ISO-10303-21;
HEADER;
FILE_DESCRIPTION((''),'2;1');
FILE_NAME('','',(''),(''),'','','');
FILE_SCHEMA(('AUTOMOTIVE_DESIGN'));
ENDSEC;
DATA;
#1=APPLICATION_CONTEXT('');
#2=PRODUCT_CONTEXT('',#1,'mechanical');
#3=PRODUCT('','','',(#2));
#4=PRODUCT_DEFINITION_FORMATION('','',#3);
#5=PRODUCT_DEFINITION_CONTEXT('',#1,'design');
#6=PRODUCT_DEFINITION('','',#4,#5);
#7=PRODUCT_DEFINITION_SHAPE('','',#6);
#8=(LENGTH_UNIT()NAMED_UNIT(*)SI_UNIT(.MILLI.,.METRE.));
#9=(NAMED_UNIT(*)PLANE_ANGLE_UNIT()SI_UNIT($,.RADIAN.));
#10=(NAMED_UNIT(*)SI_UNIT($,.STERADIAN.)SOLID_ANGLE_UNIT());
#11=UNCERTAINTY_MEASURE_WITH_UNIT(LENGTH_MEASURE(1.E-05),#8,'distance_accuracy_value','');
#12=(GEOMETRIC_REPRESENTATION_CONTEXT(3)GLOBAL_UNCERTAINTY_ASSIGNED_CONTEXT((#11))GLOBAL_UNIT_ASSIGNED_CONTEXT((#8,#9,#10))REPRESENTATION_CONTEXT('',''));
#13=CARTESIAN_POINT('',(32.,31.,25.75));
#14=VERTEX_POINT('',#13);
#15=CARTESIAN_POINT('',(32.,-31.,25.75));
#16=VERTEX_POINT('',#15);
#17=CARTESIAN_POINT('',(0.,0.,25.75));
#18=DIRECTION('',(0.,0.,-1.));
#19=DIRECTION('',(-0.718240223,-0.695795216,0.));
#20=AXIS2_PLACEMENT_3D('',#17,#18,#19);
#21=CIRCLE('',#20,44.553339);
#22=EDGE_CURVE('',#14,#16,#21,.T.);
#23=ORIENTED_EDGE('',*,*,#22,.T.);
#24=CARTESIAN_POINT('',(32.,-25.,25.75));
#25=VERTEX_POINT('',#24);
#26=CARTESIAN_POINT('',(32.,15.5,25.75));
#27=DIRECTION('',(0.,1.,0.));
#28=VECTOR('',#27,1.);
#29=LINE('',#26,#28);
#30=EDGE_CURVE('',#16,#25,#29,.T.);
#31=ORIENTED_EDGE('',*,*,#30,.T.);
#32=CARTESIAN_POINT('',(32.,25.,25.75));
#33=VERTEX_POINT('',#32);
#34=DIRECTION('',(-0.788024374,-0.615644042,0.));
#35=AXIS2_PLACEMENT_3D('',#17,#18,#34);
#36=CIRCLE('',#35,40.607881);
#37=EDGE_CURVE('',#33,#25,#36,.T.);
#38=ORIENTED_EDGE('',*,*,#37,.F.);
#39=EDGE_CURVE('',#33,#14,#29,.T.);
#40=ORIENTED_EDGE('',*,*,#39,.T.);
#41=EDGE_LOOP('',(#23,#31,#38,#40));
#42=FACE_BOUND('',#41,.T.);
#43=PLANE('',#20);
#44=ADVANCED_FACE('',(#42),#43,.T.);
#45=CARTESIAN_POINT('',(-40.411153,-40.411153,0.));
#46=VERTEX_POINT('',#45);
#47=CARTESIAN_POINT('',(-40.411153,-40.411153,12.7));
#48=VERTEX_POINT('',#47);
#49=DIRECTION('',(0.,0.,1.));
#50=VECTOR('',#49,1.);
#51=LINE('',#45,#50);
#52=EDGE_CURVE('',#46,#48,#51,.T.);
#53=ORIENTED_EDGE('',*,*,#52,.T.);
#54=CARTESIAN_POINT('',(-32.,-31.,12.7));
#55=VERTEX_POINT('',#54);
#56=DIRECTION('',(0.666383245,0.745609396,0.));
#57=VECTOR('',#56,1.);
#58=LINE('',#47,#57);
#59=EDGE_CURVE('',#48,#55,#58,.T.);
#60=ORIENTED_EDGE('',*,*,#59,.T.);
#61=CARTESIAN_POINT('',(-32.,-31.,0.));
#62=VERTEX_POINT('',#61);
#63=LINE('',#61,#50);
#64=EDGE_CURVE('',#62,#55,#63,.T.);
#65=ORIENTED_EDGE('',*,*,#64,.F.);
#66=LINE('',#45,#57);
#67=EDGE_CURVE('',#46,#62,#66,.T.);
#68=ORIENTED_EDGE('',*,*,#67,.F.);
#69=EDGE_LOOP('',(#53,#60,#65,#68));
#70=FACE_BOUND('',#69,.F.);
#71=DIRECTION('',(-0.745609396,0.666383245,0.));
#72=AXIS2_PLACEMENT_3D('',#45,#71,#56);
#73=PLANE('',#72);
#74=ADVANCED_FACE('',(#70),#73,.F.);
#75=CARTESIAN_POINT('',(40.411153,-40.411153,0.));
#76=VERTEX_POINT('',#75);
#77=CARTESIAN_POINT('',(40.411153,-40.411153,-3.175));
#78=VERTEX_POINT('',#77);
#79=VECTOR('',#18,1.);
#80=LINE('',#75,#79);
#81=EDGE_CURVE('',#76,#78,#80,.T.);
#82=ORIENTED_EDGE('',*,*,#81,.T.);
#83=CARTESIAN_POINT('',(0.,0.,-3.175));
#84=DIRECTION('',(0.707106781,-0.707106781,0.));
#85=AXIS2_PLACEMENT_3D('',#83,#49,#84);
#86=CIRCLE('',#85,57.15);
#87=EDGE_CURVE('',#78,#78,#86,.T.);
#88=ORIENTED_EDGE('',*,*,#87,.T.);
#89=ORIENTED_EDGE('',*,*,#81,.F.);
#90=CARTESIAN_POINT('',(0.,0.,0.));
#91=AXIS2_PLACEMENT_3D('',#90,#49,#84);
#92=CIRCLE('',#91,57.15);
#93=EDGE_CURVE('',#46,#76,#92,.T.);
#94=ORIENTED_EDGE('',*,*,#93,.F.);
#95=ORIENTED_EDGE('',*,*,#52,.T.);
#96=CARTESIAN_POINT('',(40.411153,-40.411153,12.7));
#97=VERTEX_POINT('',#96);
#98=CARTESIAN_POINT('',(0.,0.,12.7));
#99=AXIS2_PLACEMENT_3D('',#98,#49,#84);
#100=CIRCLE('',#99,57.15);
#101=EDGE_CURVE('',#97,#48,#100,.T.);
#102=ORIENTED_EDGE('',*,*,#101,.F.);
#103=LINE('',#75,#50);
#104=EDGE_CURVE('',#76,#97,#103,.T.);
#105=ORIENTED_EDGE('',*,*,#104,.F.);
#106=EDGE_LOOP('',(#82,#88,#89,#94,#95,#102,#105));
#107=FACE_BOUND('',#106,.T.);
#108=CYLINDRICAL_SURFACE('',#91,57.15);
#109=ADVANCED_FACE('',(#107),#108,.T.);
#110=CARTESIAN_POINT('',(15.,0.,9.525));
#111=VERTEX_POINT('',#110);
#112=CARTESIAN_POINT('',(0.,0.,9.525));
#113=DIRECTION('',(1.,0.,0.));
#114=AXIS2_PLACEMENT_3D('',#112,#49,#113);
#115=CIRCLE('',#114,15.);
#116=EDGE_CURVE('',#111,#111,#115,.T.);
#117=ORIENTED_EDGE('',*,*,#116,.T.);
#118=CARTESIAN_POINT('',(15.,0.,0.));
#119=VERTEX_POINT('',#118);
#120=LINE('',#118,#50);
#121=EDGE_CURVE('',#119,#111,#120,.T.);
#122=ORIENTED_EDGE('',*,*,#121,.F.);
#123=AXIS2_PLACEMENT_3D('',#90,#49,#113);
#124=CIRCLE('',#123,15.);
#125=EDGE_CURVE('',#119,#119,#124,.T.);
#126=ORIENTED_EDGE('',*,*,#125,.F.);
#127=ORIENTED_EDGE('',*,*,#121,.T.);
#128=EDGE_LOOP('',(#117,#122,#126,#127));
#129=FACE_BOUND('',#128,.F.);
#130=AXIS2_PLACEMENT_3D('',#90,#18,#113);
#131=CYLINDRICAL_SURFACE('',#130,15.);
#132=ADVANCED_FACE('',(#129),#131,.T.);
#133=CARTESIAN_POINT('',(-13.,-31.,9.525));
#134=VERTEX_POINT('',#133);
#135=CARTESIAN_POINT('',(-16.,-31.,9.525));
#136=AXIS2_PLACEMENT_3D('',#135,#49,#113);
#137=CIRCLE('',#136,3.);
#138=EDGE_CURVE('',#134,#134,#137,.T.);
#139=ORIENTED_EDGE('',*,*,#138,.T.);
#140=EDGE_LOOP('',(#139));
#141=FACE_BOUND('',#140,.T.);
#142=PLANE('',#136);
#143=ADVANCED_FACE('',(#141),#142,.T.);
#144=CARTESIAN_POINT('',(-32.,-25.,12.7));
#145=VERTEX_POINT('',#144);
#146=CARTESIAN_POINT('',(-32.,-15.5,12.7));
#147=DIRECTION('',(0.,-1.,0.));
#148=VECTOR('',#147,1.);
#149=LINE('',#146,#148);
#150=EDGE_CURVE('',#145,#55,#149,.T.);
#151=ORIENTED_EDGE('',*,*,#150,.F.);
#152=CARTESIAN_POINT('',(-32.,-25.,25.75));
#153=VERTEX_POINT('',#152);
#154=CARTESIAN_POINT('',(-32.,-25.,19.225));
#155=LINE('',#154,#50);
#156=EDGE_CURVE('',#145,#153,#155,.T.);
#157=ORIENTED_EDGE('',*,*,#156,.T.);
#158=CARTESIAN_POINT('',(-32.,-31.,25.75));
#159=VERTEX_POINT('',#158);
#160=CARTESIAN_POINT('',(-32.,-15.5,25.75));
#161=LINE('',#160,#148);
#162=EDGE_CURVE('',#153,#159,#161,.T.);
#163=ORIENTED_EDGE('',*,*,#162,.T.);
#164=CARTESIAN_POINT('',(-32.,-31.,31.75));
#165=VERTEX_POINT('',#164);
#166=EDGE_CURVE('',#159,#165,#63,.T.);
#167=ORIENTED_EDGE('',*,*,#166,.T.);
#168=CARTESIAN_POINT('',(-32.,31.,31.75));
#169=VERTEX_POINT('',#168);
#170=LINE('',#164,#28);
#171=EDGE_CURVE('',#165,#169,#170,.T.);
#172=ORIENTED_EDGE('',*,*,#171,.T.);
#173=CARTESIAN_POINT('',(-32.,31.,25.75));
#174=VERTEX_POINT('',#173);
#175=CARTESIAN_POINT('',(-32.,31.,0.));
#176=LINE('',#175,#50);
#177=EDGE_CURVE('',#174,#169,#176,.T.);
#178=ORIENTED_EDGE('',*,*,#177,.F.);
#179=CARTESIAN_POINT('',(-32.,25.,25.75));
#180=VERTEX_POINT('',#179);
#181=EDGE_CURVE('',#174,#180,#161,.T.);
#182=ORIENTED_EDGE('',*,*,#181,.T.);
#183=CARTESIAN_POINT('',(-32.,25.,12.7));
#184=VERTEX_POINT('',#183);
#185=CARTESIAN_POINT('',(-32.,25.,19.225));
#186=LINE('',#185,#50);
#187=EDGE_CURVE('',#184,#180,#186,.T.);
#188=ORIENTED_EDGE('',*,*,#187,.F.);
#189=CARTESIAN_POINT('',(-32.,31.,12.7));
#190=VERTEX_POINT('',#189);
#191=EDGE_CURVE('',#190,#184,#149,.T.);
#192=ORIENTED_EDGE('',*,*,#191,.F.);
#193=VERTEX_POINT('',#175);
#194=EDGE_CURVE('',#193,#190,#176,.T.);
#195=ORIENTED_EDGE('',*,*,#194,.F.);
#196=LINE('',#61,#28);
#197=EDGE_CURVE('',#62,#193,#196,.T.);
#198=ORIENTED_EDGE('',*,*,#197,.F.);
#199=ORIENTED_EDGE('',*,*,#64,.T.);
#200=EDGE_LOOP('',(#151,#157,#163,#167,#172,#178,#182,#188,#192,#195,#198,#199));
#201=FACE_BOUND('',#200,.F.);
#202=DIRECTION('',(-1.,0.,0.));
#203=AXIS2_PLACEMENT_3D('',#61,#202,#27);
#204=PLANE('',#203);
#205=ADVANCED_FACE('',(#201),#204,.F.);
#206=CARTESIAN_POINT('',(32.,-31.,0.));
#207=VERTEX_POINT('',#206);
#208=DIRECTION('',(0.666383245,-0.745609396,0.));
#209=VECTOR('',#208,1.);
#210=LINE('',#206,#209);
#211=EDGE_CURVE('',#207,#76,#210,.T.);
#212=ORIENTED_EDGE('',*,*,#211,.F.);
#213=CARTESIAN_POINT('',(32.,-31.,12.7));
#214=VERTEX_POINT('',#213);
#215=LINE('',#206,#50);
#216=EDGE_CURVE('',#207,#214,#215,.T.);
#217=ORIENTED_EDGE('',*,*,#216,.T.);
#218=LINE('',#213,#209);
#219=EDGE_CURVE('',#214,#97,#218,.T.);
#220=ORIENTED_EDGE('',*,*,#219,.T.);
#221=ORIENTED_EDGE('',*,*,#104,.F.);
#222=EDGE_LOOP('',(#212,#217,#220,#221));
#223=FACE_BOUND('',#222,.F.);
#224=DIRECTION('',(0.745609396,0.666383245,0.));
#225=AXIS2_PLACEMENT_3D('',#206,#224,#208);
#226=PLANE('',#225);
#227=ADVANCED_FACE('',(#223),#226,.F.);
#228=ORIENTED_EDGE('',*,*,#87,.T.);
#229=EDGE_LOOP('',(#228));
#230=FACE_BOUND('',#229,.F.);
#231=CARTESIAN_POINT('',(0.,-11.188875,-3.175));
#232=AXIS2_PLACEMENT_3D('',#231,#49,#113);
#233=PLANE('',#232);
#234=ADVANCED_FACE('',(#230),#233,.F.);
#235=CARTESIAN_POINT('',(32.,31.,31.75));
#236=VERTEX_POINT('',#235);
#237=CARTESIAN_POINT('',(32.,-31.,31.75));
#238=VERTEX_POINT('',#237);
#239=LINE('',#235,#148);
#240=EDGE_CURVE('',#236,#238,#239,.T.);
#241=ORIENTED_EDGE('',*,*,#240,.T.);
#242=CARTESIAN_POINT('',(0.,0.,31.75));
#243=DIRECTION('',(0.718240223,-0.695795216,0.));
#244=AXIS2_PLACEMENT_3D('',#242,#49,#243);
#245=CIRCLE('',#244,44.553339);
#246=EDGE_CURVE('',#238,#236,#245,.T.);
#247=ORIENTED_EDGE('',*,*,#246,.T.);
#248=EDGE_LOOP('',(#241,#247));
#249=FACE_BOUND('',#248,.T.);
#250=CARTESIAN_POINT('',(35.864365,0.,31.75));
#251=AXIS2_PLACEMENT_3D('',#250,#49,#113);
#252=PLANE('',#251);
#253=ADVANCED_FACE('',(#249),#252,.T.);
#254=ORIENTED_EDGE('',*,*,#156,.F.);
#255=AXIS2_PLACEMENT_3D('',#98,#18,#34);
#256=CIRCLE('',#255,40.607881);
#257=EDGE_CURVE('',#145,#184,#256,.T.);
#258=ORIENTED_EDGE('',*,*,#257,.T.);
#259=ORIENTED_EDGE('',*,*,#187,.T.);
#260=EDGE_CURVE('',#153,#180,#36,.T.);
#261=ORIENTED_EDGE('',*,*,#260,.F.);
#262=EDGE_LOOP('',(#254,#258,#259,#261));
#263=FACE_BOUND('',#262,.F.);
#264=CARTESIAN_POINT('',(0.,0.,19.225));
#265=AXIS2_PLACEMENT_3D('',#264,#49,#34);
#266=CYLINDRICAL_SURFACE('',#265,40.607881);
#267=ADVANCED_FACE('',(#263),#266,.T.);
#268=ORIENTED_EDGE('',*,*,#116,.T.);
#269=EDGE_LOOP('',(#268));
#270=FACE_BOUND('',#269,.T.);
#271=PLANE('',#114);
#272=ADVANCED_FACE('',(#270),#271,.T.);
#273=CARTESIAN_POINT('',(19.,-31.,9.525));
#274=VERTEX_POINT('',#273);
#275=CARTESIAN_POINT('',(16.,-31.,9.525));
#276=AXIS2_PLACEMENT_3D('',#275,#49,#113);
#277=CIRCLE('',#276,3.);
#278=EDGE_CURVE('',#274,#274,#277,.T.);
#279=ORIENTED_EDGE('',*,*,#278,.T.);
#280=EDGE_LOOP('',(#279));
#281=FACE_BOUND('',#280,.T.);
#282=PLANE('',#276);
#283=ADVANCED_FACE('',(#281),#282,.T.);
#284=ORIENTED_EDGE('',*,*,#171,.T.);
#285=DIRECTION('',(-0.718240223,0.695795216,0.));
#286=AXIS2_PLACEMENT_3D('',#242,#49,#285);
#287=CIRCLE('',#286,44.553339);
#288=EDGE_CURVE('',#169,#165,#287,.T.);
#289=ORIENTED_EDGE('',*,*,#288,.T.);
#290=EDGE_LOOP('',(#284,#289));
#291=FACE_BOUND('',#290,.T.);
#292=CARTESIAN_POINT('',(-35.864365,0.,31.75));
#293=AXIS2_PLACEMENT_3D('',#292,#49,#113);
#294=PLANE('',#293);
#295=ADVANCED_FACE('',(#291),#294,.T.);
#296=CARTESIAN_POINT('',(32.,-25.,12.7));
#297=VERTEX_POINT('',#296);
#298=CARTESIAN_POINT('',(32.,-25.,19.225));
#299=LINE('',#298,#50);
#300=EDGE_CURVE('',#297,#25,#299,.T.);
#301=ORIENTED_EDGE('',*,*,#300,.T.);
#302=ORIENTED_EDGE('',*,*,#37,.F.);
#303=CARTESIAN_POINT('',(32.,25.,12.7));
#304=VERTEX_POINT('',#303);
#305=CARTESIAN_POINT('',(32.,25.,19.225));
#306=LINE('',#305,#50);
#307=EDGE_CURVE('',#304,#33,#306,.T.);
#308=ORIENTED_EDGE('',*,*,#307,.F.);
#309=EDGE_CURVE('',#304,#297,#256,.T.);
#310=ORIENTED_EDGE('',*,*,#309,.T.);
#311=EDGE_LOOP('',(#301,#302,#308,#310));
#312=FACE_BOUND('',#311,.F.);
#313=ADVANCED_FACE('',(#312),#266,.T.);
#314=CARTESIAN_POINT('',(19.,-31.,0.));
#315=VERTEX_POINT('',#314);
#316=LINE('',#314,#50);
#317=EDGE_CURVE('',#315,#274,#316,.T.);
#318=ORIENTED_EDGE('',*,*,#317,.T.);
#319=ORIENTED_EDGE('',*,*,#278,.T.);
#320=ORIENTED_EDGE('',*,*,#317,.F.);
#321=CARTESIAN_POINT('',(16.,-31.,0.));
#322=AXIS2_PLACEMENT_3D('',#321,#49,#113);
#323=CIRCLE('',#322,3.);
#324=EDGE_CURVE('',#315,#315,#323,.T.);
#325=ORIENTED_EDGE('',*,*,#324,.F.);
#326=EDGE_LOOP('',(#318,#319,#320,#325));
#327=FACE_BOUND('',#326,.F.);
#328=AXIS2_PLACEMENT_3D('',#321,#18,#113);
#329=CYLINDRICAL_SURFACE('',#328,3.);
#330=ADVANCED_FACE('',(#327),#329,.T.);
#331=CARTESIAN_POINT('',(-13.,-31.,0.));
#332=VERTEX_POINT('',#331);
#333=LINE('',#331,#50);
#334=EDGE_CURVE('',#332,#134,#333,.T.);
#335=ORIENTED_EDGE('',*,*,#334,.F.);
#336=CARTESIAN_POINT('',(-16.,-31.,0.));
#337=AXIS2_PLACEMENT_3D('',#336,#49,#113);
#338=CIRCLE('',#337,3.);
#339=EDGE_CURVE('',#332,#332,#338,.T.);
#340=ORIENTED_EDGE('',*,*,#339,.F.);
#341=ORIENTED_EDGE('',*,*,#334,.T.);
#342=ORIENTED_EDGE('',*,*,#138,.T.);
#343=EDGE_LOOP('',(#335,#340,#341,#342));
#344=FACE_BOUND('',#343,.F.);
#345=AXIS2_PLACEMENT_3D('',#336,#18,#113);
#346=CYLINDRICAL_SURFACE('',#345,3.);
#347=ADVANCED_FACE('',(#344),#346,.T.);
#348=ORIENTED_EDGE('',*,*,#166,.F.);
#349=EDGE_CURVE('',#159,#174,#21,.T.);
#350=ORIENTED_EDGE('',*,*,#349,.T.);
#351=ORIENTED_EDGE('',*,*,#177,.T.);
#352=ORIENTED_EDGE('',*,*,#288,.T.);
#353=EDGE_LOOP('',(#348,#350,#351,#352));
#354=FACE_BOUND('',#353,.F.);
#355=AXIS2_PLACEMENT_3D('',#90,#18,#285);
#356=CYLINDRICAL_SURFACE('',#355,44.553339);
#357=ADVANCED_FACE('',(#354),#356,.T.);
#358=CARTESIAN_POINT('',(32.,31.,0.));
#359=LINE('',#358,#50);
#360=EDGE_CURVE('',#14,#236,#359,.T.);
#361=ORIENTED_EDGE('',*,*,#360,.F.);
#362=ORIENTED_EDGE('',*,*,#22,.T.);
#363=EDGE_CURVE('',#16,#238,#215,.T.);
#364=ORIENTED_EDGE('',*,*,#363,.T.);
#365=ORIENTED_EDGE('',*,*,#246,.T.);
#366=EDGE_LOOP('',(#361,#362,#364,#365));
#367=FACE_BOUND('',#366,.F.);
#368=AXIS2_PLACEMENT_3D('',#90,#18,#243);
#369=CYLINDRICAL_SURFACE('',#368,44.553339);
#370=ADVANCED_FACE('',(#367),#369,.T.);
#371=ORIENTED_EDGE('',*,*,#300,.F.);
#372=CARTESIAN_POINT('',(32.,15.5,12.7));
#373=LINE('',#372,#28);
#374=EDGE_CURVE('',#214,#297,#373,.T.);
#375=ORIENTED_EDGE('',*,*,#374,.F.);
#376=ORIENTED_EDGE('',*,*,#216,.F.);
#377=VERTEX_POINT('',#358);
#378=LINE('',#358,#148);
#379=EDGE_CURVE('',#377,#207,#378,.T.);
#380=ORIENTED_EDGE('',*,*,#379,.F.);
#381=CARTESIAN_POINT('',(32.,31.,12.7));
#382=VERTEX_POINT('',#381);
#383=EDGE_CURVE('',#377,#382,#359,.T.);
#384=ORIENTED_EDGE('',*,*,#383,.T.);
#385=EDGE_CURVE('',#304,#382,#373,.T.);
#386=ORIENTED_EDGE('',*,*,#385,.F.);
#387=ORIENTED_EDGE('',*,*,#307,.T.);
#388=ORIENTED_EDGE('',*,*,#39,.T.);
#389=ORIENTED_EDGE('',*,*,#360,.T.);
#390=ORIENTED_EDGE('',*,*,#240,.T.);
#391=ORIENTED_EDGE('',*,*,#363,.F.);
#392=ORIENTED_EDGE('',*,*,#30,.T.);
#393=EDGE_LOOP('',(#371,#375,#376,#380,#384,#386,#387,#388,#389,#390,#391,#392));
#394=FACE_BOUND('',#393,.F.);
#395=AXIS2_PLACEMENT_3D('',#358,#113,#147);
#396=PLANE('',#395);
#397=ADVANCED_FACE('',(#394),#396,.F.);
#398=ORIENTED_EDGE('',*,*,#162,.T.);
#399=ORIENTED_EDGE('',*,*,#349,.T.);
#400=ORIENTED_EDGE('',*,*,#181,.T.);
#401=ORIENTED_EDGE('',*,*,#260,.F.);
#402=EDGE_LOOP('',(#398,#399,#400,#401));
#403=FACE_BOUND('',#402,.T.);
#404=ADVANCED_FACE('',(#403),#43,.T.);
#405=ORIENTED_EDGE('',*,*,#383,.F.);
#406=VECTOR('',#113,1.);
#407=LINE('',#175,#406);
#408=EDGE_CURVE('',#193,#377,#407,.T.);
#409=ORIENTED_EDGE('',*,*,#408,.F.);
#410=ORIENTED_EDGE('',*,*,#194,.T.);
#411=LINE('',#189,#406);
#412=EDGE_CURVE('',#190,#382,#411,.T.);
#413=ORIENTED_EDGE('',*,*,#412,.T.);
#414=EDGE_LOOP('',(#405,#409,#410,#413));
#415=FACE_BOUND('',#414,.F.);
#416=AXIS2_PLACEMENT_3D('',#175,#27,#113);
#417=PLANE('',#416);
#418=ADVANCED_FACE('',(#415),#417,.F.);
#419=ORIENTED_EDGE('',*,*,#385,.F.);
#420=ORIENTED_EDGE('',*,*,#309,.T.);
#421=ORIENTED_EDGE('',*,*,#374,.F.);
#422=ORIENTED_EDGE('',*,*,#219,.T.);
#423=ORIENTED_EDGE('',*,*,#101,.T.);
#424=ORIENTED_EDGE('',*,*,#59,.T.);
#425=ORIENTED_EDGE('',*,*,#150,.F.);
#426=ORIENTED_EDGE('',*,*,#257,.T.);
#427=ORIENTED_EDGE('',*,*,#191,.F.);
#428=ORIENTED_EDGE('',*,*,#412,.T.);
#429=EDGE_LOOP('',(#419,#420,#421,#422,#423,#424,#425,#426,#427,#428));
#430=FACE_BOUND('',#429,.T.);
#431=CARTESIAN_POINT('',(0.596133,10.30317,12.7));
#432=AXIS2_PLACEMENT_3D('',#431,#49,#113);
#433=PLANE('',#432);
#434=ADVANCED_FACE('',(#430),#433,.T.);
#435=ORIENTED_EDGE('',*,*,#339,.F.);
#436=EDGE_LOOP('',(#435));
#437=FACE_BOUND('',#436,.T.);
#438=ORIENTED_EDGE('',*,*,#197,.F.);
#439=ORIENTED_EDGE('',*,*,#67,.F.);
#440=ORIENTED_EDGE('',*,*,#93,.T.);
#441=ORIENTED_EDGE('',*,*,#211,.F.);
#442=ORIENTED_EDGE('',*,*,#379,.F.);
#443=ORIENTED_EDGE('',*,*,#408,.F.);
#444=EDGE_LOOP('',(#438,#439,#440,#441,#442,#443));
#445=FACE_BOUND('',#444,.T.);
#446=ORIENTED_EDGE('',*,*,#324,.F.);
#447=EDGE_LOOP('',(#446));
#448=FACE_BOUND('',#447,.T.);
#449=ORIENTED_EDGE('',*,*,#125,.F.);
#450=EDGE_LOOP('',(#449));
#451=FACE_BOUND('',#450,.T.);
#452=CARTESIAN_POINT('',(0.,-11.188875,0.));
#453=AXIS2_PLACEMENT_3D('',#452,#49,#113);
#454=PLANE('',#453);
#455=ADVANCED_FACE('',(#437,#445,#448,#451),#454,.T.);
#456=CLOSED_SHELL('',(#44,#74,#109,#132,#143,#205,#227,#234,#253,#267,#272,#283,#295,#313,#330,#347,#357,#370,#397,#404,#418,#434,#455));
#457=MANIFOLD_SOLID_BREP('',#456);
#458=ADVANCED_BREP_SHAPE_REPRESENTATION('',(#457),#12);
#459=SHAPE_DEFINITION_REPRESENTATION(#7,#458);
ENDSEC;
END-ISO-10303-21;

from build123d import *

# Parameters (mm, degrees)
F2_DEPTH = 31.75
F3_DEPTH = 12.7
F1_R     = 15
F4_DEPTH = 9.525
F1_R_2   = 3
F5_DEPTH = 3.175
F6_W     = 6
F6_H     = 13.05


with BuildPart() as f2:
    # F1 (on Top) → F2 (new body)
    with BuildSketch(Plane.XY):
        with BuildLine():
            ThreePointArc((-32, 31), (-44.5533388199, 0), (-32, -31))
            Line((-32, -31), (-32, 31))
        make_face()
    extrude(amount=F2_DEPTH)



with BuildPart() as f2b:
    # F1 (on Top) → F2, piece 2 (new body)
    with BuildSketch(Plane.XY):
        with BuildLine():
            Line((32, 31), (32, -31))
            ThreePointArc((32, -31), (44.5533388199, 0), (32, 31))
        make_face()
    extrude(amount=F2_DEPTH)


with BuildPart() as f3:
    # F1 (on Top) → F3 (new body)
    with BuildSketch(Plane.XY):
        with BuildLine():
            ThreePointArc((40.4111525448, -40.4111525448), (52.799715283, -21.8703581597), (57.15, 0))
            ThreePointArc((57.15, 0), (-21.8703581597, 52.799715283), (-40.4111525448, -40.4111525448))
            Line((-40.4111525448, -40.4111525448), (-32, -31))
            ThreePointArc((-32, -31), (-44.5533388199, 0), (-32, 31))
            ThreePointArc((-32, 31), (0, 44.5533388199), (32, 31))
            ThreePointArc((32, 31), (44.5533388199, 0), (32, -31))
            Line((32, -31), (40.4111525448, -40.4111525448))
        make_face()
        with BuildLine():
            ThreePointArc((32, 31), (0, 44.5533388199), (-32, 31))
            Line((-32, 31), (32, 31))
        make_face()
    extrude(amount=F3_DEPTH)


with BuildPart() as f4:
    # F1 (on Top) → F4 (new body)
    with BuildSketch(Plane.XY):
        Circle(F1_R)
    extrude(amount=F4_DEPTH)


with BuildPart() as f4b:
    # F1 (on Top) → F4, piece 2 (new body)
    with BuildSketch(Plane.XY):
        with Locations((16, -31)):
            Circle(F1_R_2)
    extrude(amount=F4_DEPTH)


with BuildPart() as f4c:
    # F1 (on Top) → F4, piece 3 (new body)
    with BuildSketch(Plane.XY):
        with Locations((-16, -31)):
            Circle(F1_R_2)
    extrude(amount=F4_DEPTH)


with BuildPart() as f2_1:
    add(f2.part)

    add(f2b.part)  # F5 merges F2b

    add(f3.part)  # F5 merges F3

    add(f4.part)  # F5 merges F4

    add(f4b.part)  # F5 merges F4b

    add(f4c.part)  # F5 merges F4c
    # F1 (on Top) → F5 (join)
    with BuildSketch(Plane.XY):
        with BuildLine():
            Line((-32, -31), (-40.4111525448, -40.4111525448))
            ThreePointArc((-40.4111525448, -40.4111525448), (0, -57.15), (40.4111525448, -40.4111525448))
            Line((40.4111525448, -40.4111525448), (32, -31))
            Line((32, -31), (32, 31))
            Line((32, 31), (-32, 31))
            Line((-32, 31), (-32, -31))
        make_face()
        with Locations((-16, -31)):
            Circle(F1_R_2, mode=Mode.SUBTRACT)
        with Locations((16, -31)):
            Circle(F1_R_2, mode=Mode.SUBTRACT)
        Circle(F1_R, mode=Mode.SUBTRACT)
        with BuildLine():
            ThreePointArc((40.4111525448, -40.4111525448), (52.799715283, -21.8703581597), (57.15, 0))
            ThreePointArc((57.15, 0), (-21.8703581597, 52.799715283), (-40.4111525448, -40.4111525448))
            Line((-40.4111525448, -40.4111525448), (-32, -31))
            ThreePointArc((-32, -31), (-44.5533388199, 0), (-32, 31))
            ThreePointArc((-32, 31), (0, 44.5533388199), (32, 31))
            ThreePointArc((32, 31), (44.5533388199, 0), (32, -31))
            Line((32, -31), (40.4111525448, -40.4111525448))
        make_face()
        with BuildLine():
            Line((32, 31), (32, -31))
            ThreePointArc((32, -31), (44.5533388199, 0), (32, 31))
        make_face()
        with BuildLine():
            ThreePointArc((32, 31), (0, 44.5533388199), (-32, 31))
            Line((-32, 31), (32, 31))
        make_face()
        with BuildLine():
            ThreePointArc((-32, 31), (-44.5533388199, 0), (-32, -31))
            Line((-32, -31), (-32, 31))
        make_face()
        with Locations((-16, -31)):
            Circle(F1_R_2)
        with Locations((16, -31)):
            Circle(F1_R_2)
        Circle(F1_R)
    extrude(amount=-F5_DEPTH)

    # F6 (on face) → F7 (revolve, cut)
    with BuildSketch(Plane.YZ.offset(-32)):
        with Locations((-28, 19.225)):
            Rectangle(F6_W, F6_H)
    revolve(axis=Axis((0, 0, 0), (0, 0, -1)), mode=Mode.SUBTRACT)


solid = f2_1.part
